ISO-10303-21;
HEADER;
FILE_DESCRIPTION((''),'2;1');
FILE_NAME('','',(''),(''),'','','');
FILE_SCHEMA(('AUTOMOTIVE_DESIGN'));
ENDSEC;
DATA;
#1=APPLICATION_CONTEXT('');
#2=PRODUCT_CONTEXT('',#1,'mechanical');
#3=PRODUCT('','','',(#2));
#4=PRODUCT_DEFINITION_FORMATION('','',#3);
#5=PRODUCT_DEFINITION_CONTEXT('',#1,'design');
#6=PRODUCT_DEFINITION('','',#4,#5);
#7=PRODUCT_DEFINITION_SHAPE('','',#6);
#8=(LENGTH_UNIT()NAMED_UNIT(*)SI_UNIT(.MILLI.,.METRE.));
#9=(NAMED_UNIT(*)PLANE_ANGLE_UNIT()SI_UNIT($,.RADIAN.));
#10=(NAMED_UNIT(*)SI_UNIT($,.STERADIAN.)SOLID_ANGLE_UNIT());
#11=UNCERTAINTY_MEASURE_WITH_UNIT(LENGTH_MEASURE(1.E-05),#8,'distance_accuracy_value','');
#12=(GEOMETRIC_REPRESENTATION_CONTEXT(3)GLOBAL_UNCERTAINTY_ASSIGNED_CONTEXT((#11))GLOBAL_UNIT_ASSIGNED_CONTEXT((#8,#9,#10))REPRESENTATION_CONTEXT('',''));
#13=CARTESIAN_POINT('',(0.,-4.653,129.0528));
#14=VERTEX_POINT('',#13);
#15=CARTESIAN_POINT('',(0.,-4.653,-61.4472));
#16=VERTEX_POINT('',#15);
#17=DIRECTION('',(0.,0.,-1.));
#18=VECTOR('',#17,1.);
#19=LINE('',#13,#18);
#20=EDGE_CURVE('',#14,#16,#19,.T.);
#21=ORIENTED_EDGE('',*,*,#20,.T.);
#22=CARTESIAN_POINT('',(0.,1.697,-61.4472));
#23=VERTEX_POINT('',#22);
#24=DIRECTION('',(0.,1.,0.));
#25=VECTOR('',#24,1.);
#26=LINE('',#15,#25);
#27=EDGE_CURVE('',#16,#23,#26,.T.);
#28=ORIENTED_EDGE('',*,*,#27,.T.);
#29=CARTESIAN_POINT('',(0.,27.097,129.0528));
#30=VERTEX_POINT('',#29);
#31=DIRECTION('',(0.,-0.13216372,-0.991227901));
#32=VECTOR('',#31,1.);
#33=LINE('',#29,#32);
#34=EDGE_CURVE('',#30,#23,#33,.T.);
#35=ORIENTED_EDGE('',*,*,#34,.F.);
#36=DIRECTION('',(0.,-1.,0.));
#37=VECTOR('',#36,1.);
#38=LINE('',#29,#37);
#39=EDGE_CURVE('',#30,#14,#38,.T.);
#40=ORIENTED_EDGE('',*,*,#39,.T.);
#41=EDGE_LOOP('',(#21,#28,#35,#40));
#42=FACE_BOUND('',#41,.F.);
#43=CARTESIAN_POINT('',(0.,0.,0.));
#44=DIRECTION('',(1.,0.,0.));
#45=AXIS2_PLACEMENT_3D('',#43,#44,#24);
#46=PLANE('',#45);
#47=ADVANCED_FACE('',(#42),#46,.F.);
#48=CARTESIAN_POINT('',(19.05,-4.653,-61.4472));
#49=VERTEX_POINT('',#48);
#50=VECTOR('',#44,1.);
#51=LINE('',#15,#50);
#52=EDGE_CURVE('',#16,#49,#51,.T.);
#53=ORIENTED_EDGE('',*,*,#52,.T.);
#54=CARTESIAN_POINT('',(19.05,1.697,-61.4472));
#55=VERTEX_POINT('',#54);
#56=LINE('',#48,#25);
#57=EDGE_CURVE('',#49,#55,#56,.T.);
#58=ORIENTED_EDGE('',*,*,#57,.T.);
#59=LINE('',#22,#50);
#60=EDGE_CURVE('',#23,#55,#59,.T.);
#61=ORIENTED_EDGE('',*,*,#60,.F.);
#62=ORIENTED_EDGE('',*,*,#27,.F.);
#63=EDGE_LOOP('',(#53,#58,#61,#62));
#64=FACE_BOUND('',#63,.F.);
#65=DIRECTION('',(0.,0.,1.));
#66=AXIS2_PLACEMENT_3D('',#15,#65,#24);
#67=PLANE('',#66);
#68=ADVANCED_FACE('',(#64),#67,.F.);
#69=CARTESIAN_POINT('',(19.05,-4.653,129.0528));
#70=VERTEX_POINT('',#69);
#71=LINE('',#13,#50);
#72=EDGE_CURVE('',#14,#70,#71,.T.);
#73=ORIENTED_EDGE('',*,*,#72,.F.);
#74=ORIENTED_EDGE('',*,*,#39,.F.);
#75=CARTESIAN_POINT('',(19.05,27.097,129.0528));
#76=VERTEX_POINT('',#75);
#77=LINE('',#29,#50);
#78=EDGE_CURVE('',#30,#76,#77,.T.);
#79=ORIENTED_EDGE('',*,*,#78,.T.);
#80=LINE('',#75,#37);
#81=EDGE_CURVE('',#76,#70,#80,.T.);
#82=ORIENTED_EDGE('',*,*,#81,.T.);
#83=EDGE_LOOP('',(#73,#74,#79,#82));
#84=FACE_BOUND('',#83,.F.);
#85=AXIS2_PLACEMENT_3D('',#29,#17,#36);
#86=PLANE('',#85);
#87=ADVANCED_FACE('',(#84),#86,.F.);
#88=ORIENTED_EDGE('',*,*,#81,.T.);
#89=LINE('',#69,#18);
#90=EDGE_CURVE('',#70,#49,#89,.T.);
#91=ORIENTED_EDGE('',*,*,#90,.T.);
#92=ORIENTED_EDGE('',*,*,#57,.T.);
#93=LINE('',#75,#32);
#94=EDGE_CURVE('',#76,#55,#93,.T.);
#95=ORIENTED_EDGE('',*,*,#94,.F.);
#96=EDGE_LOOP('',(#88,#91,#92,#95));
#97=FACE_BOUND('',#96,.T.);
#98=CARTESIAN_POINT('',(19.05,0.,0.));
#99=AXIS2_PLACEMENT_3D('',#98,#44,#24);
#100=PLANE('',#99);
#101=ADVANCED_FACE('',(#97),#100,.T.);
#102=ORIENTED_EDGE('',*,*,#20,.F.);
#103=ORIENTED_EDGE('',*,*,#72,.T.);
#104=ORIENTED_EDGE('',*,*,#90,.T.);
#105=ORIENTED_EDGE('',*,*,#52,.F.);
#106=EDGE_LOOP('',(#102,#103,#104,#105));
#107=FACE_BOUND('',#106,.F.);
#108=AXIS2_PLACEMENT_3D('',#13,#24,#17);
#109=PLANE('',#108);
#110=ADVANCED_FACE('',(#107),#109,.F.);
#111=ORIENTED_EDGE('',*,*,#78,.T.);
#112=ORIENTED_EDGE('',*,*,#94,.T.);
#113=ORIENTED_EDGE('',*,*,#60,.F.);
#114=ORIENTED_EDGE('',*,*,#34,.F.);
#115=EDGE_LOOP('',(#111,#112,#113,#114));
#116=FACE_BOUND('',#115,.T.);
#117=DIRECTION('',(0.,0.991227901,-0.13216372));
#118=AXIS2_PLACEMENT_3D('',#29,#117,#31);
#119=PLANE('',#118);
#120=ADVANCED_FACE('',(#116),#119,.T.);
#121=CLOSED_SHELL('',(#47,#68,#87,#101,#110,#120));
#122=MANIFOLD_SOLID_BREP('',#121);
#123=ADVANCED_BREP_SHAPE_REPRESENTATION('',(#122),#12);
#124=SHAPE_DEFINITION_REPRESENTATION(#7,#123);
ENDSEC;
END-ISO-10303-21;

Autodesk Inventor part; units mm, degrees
ref_plane "YZ Plane" through (0, 0, 0) normal (1, 0, 0) x (0, 1, 0)
ref_plane "XZ Plane" through (0, 0, 0) normal (0, 1, 0) x (-1, 0, 0)
ref_plane "XY Plane" through (0, 0, 0) normal (0, 0, 1) x (1, 0, 0)
sketch "Sketch1" plane through (0, 0, 0) normal (1, 0, 0) x (0, 1, 0)
  line L0 (27.097, 129.0528) -> (-4.653, 129.0528)
  line L1 (-4.653, 129.0528) -> (-4.653, -61.4472)
  line L2 (-4.653, -61.4472) -> (1.697, -61.4472)
  line L3 (27.097, 129.0528) -> (1.697, -61.4472)
  point P0 (0, 0)
  dimension "d0" = 31.75
  dimension "d1" = 190.5
  dimension "d2" = 6.35
extrude "Extrusion1" add sketch "Sketch1" along normal blind 19.05
properties part number "Derby Base"
